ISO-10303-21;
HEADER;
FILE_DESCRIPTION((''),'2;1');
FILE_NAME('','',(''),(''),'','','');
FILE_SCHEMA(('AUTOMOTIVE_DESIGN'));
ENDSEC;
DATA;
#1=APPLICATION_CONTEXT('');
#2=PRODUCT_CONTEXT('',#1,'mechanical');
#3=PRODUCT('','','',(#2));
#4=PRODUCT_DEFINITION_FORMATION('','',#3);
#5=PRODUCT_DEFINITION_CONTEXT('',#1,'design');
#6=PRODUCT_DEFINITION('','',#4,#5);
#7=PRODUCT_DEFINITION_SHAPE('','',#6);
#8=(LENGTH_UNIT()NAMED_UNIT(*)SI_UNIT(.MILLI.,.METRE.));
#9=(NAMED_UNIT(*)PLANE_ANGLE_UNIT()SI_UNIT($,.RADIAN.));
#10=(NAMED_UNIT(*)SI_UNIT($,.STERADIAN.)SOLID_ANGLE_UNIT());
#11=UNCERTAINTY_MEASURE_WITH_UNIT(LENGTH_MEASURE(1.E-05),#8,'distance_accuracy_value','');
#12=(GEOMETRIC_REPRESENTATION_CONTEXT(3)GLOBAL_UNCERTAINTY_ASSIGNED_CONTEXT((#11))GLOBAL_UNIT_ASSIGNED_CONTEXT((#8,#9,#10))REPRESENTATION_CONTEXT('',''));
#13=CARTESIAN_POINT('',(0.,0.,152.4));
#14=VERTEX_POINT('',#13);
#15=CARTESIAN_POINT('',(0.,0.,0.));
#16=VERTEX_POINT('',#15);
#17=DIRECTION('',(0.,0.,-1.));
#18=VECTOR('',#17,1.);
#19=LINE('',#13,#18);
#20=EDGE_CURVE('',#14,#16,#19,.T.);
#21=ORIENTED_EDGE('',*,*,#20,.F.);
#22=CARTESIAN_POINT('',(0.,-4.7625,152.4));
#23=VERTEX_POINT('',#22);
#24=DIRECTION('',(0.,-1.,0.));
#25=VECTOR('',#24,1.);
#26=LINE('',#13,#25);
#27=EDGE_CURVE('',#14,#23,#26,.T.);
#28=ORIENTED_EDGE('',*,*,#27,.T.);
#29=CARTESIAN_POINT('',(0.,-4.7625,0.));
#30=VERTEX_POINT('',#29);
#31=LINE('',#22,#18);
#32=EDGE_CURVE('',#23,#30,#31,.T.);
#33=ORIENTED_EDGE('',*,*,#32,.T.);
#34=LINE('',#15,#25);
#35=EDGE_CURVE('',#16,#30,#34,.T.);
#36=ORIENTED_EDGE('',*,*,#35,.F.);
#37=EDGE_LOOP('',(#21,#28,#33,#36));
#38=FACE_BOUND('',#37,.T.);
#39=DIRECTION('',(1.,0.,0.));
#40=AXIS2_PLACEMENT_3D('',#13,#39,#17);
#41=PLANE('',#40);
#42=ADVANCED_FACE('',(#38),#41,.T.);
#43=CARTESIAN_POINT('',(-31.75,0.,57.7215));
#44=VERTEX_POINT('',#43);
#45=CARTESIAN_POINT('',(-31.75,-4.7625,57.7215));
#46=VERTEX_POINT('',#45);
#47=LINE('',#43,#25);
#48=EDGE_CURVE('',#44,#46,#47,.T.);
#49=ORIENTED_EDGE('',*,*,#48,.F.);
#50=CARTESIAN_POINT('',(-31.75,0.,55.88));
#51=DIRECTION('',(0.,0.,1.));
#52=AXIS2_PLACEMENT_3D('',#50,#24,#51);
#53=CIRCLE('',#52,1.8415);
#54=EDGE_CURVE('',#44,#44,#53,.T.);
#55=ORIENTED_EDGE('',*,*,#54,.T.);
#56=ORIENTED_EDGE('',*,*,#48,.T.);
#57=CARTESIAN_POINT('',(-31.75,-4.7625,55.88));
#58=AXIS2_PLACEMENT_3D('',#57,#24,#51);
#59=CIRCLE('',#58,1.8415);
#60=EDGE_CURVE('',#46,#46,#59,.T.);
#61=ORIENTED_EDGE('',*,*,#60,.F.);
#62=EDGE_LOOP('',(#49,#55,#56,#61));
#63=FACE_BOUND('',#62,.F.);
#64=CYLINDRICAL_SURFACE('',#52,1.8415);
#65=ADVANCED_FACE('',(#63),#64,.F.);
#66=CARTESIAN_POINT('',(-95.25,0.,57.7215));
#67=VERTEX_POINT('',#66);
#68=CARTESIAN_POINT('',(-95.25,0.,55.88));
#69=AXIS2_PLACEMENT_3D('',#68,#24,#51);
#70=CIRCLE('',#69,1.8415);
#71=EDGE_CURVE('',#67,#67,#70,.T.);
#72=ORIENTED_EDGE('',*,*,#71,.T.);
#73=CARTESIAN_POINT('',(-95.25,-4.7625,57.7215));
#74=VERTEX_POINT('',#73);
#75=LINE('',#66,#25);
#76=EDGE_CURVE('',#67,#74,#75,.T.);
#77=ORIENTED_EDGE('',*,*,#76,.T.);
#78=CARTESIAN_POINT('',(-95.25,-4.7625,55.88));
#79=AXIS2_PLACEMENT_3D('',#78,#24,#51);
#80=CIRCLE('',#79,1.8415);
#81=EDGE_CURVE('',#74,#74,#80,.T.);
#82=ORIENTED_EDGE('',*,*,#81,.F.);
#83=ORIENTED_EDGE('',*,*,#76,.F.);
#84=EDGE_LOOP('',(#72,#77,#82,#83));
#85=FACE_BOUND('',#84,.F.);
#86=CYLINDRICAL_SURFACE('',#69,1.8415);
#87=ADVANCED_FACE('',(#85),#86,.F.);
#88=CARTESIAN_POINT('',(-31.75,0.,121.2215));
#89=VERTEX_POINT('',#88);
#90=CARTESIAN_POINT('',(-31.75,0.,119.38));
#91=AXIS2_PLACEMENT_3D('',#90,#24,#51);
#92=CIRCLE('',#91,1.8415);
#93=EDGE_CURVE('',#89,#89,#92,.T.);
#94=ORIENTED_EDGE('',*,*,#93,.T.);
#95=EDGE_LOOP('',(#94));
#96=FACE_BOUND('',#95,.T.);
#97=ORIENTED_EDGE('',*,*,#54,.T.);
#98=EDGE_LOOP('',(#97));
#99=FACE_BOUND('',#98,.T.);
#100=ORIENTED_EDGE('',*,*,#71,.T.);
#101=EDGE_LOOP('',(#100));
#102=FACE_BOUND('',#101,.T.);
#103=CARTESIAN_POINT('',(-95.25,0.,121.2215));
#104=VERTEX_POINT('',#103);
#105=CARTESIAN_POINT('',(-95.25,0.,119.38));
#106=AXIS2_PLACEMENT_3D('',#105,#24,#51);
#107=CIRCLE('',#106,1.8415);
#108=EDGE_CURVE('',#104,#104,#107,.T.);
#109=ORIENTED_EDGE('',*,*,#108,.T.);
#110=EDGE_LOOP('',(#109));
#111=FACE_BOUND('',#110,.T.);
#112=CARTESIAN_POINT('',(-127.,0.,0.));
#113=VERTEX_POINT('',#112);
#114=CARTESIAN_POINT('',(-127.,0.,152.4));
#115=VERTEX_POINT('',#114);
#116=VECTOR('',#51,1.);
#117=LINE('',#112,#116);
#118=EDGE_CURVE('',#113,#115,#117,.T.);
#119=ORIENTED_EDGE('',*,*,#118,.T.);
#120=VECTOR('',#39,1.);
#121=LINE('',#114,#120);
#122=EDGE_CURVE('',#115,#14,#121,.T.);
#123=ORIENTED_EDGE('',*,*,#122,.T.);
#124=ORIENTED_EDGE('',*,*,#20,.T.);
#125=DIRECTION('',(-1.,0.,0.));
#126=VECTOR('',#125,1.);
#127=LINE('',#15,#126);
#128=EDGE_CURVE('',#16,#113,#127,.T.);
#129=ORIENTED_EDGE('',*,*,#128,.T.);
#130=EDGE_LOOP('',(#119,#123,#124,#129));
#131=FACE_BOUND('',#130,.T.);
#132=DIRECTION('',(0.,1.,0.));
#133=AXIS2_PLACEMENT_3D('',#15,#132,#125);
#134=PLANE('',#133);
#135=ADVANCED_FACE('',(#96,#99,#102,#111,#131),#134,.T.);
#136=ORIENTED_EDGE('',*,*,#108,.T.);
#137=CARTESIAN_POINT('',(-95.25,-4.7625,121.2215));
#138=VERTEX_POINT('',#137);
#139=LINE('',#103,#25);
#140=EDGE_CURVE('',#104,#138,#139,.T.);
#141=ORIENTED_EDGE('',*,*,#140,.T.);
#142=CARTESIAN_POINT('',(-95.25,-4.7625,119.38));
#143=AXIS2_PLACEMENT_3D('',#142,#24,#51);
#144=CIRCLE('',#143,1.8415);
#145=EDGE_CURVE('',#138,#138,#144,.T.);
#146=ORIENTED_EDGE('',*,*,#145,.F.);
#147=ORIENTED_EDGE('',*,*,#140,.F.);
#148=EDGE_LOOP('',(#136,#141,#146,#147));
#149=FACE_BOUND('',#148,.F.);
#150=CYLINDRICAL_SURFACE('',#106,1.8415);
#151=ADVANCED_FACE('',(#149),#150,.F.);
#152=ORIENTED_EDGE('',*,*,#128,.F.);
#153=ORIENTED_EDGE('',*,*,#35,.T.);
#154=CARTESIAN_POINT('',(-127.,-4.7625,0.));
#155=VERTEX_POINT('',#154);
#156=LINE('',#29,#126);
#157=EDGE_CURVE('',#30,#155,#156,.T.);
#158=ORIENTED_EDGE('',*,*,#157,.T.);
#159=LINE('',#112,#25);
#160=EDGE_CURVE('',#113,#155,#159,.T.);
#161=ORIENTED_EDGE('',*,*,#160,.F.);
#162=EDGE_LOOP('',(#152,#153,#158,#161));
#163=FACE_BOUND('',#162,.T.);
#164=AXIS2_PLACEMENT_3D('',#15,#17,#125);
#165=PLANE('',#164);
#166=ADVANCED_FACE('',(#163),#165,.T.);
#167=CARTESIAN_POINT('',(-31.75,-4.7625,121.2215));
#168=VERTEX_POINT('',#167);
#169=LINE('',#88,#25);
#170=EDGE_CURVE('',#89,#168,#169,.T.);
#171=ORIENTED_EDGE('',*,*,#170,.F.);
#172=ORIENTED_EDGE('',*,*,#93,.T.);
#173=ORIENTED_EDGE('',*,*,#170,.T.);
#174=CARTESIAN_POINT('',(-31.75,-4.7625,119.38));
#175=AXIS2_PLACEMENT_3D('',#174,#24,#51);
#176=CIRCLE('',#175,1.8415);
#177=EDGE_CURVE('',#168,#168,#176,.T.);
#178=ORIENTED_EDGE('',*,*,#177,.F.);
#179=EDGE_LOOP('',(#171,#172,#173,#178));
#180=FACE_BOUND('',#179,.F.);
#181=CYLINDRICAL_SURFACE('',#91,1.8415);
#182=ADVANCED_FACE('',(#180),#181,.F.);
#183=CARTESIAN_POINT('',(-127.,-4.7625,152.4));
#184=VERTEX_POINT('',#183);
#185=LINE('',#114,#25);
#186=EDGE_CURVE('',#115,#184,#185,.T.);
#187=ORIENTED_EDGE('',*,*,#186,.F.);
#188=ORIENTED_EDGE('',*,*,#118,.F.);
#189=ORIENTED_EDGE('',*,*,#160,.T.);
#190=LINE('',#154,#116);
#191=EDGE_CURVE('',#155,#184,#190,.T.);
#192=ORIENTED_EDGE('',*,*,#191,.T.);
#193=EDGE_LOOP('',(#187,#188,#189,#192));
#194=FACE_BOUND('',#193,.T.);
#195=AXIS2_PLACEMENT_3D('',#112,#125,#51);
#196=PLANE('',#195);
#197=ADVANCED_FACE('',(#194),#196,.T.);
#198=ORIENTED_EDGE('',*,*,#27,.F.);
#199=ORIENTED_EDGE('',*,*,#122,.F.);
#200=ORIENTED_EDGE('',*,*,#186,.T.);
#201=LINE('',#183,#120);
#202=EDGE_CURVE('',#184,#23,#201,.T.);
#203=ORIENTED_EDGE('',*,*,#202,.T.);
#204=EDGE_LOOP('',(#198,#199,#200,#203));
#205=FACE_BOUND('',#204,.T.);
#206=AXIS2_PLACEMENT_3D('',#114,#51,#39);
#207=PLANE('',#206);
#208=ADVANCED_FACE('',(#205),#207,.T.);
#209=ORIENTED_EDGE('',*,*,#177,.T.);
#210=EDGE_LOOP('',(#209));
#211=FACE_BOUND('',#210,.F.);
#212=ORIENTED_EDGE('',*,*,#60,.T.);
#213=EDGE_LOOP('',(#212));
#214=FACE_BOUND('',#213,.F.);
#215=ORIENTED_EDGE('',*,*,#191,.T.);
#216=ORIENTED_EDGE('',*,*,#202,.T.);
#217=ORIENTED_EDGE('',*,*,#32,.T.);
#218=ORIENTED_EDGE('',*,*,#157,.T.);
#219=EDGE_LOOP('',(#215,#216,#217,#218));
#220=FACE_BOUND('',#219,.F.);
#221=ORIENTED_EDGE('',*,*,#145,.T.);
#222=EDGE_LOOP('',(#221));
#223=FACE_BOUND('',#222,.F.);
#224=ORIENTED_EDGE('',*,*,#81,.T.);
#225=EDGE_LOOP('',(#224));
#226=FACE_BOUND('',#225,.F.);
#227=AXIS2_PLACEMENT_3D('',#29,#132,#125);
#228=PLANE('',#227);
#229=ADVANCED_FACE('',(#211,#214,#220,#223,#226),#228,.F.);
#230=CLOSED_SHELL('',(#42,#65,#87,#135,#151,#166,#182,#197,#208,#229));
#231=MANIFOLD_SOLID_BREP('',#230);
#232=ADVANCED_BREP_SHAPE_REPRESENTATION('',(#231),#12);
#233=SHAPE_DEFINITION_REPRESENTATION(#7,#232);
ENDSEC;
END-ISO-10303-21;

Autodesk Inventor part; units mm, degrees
ref_plane "YZ Plane" through (0, 0, 0) normal (1, 0, 0) x (0, 1, 0)
ref_plane "XZ Plane" through (0, 0, 0) normal (0, 1, 0) x (-1, 0, 0)
ref_plane "XY Plane" through (0, 0, 0) normal (0, 0, 1) x (1, 0, 0)
sketch "Sketch1" plane through (0, 0, 0) normal (0, 1, 0) x (-1, 0, 0)
  line L0 (0, 0) -> (127, 0)
  line L1 (127, 0) -> (127, 152.4)
  line L2 (127, 152.4) -> (0, 152.4)
  line L3 (0, 152.4) -> (0, 0)
  dimension "d0" = 127
  dimension "d1" = 152.4
extrude "Extrusion1" add sketch "Sketch1" against normal blind 4.7625
sketch "Sketch2" plane through (0, 0, 0) normal (0, 1, 0) x (1, 0, 0)
  line L0 (0, 0) -> (-127, 0) projected
  line L1 (-127, 0) -> (-127, -152.4) projected
  line L2 (0, -152.4) -> (0, 0) projected
  point P0 (-95.25, -55.88)
  point P1 (-31.75, -55.88)
  point P2 (-95.25, -119.38)
  point P3 (-31.75, -119.38)
  dimension "d4" = 63.5
  dimension "d6" = 31.75
  dimension "d8" = 31.75
  dimension "d9" = 63.5
  dimension "d10" = 55.88
hole "Hole1" at (-95.25, 0, 55.88) at (-31.75, 0, 55.88) at (-95.25, 0, 119.38) at (-31.75, 0, 119.38) direction (0, -1, 0) diameter 3.683 end through all thread size "10-24 UNC" class "2B" standard "ANSI Unified Screw Threads"
equation "\"d6\" = d8"
properties part number "backPlate"
